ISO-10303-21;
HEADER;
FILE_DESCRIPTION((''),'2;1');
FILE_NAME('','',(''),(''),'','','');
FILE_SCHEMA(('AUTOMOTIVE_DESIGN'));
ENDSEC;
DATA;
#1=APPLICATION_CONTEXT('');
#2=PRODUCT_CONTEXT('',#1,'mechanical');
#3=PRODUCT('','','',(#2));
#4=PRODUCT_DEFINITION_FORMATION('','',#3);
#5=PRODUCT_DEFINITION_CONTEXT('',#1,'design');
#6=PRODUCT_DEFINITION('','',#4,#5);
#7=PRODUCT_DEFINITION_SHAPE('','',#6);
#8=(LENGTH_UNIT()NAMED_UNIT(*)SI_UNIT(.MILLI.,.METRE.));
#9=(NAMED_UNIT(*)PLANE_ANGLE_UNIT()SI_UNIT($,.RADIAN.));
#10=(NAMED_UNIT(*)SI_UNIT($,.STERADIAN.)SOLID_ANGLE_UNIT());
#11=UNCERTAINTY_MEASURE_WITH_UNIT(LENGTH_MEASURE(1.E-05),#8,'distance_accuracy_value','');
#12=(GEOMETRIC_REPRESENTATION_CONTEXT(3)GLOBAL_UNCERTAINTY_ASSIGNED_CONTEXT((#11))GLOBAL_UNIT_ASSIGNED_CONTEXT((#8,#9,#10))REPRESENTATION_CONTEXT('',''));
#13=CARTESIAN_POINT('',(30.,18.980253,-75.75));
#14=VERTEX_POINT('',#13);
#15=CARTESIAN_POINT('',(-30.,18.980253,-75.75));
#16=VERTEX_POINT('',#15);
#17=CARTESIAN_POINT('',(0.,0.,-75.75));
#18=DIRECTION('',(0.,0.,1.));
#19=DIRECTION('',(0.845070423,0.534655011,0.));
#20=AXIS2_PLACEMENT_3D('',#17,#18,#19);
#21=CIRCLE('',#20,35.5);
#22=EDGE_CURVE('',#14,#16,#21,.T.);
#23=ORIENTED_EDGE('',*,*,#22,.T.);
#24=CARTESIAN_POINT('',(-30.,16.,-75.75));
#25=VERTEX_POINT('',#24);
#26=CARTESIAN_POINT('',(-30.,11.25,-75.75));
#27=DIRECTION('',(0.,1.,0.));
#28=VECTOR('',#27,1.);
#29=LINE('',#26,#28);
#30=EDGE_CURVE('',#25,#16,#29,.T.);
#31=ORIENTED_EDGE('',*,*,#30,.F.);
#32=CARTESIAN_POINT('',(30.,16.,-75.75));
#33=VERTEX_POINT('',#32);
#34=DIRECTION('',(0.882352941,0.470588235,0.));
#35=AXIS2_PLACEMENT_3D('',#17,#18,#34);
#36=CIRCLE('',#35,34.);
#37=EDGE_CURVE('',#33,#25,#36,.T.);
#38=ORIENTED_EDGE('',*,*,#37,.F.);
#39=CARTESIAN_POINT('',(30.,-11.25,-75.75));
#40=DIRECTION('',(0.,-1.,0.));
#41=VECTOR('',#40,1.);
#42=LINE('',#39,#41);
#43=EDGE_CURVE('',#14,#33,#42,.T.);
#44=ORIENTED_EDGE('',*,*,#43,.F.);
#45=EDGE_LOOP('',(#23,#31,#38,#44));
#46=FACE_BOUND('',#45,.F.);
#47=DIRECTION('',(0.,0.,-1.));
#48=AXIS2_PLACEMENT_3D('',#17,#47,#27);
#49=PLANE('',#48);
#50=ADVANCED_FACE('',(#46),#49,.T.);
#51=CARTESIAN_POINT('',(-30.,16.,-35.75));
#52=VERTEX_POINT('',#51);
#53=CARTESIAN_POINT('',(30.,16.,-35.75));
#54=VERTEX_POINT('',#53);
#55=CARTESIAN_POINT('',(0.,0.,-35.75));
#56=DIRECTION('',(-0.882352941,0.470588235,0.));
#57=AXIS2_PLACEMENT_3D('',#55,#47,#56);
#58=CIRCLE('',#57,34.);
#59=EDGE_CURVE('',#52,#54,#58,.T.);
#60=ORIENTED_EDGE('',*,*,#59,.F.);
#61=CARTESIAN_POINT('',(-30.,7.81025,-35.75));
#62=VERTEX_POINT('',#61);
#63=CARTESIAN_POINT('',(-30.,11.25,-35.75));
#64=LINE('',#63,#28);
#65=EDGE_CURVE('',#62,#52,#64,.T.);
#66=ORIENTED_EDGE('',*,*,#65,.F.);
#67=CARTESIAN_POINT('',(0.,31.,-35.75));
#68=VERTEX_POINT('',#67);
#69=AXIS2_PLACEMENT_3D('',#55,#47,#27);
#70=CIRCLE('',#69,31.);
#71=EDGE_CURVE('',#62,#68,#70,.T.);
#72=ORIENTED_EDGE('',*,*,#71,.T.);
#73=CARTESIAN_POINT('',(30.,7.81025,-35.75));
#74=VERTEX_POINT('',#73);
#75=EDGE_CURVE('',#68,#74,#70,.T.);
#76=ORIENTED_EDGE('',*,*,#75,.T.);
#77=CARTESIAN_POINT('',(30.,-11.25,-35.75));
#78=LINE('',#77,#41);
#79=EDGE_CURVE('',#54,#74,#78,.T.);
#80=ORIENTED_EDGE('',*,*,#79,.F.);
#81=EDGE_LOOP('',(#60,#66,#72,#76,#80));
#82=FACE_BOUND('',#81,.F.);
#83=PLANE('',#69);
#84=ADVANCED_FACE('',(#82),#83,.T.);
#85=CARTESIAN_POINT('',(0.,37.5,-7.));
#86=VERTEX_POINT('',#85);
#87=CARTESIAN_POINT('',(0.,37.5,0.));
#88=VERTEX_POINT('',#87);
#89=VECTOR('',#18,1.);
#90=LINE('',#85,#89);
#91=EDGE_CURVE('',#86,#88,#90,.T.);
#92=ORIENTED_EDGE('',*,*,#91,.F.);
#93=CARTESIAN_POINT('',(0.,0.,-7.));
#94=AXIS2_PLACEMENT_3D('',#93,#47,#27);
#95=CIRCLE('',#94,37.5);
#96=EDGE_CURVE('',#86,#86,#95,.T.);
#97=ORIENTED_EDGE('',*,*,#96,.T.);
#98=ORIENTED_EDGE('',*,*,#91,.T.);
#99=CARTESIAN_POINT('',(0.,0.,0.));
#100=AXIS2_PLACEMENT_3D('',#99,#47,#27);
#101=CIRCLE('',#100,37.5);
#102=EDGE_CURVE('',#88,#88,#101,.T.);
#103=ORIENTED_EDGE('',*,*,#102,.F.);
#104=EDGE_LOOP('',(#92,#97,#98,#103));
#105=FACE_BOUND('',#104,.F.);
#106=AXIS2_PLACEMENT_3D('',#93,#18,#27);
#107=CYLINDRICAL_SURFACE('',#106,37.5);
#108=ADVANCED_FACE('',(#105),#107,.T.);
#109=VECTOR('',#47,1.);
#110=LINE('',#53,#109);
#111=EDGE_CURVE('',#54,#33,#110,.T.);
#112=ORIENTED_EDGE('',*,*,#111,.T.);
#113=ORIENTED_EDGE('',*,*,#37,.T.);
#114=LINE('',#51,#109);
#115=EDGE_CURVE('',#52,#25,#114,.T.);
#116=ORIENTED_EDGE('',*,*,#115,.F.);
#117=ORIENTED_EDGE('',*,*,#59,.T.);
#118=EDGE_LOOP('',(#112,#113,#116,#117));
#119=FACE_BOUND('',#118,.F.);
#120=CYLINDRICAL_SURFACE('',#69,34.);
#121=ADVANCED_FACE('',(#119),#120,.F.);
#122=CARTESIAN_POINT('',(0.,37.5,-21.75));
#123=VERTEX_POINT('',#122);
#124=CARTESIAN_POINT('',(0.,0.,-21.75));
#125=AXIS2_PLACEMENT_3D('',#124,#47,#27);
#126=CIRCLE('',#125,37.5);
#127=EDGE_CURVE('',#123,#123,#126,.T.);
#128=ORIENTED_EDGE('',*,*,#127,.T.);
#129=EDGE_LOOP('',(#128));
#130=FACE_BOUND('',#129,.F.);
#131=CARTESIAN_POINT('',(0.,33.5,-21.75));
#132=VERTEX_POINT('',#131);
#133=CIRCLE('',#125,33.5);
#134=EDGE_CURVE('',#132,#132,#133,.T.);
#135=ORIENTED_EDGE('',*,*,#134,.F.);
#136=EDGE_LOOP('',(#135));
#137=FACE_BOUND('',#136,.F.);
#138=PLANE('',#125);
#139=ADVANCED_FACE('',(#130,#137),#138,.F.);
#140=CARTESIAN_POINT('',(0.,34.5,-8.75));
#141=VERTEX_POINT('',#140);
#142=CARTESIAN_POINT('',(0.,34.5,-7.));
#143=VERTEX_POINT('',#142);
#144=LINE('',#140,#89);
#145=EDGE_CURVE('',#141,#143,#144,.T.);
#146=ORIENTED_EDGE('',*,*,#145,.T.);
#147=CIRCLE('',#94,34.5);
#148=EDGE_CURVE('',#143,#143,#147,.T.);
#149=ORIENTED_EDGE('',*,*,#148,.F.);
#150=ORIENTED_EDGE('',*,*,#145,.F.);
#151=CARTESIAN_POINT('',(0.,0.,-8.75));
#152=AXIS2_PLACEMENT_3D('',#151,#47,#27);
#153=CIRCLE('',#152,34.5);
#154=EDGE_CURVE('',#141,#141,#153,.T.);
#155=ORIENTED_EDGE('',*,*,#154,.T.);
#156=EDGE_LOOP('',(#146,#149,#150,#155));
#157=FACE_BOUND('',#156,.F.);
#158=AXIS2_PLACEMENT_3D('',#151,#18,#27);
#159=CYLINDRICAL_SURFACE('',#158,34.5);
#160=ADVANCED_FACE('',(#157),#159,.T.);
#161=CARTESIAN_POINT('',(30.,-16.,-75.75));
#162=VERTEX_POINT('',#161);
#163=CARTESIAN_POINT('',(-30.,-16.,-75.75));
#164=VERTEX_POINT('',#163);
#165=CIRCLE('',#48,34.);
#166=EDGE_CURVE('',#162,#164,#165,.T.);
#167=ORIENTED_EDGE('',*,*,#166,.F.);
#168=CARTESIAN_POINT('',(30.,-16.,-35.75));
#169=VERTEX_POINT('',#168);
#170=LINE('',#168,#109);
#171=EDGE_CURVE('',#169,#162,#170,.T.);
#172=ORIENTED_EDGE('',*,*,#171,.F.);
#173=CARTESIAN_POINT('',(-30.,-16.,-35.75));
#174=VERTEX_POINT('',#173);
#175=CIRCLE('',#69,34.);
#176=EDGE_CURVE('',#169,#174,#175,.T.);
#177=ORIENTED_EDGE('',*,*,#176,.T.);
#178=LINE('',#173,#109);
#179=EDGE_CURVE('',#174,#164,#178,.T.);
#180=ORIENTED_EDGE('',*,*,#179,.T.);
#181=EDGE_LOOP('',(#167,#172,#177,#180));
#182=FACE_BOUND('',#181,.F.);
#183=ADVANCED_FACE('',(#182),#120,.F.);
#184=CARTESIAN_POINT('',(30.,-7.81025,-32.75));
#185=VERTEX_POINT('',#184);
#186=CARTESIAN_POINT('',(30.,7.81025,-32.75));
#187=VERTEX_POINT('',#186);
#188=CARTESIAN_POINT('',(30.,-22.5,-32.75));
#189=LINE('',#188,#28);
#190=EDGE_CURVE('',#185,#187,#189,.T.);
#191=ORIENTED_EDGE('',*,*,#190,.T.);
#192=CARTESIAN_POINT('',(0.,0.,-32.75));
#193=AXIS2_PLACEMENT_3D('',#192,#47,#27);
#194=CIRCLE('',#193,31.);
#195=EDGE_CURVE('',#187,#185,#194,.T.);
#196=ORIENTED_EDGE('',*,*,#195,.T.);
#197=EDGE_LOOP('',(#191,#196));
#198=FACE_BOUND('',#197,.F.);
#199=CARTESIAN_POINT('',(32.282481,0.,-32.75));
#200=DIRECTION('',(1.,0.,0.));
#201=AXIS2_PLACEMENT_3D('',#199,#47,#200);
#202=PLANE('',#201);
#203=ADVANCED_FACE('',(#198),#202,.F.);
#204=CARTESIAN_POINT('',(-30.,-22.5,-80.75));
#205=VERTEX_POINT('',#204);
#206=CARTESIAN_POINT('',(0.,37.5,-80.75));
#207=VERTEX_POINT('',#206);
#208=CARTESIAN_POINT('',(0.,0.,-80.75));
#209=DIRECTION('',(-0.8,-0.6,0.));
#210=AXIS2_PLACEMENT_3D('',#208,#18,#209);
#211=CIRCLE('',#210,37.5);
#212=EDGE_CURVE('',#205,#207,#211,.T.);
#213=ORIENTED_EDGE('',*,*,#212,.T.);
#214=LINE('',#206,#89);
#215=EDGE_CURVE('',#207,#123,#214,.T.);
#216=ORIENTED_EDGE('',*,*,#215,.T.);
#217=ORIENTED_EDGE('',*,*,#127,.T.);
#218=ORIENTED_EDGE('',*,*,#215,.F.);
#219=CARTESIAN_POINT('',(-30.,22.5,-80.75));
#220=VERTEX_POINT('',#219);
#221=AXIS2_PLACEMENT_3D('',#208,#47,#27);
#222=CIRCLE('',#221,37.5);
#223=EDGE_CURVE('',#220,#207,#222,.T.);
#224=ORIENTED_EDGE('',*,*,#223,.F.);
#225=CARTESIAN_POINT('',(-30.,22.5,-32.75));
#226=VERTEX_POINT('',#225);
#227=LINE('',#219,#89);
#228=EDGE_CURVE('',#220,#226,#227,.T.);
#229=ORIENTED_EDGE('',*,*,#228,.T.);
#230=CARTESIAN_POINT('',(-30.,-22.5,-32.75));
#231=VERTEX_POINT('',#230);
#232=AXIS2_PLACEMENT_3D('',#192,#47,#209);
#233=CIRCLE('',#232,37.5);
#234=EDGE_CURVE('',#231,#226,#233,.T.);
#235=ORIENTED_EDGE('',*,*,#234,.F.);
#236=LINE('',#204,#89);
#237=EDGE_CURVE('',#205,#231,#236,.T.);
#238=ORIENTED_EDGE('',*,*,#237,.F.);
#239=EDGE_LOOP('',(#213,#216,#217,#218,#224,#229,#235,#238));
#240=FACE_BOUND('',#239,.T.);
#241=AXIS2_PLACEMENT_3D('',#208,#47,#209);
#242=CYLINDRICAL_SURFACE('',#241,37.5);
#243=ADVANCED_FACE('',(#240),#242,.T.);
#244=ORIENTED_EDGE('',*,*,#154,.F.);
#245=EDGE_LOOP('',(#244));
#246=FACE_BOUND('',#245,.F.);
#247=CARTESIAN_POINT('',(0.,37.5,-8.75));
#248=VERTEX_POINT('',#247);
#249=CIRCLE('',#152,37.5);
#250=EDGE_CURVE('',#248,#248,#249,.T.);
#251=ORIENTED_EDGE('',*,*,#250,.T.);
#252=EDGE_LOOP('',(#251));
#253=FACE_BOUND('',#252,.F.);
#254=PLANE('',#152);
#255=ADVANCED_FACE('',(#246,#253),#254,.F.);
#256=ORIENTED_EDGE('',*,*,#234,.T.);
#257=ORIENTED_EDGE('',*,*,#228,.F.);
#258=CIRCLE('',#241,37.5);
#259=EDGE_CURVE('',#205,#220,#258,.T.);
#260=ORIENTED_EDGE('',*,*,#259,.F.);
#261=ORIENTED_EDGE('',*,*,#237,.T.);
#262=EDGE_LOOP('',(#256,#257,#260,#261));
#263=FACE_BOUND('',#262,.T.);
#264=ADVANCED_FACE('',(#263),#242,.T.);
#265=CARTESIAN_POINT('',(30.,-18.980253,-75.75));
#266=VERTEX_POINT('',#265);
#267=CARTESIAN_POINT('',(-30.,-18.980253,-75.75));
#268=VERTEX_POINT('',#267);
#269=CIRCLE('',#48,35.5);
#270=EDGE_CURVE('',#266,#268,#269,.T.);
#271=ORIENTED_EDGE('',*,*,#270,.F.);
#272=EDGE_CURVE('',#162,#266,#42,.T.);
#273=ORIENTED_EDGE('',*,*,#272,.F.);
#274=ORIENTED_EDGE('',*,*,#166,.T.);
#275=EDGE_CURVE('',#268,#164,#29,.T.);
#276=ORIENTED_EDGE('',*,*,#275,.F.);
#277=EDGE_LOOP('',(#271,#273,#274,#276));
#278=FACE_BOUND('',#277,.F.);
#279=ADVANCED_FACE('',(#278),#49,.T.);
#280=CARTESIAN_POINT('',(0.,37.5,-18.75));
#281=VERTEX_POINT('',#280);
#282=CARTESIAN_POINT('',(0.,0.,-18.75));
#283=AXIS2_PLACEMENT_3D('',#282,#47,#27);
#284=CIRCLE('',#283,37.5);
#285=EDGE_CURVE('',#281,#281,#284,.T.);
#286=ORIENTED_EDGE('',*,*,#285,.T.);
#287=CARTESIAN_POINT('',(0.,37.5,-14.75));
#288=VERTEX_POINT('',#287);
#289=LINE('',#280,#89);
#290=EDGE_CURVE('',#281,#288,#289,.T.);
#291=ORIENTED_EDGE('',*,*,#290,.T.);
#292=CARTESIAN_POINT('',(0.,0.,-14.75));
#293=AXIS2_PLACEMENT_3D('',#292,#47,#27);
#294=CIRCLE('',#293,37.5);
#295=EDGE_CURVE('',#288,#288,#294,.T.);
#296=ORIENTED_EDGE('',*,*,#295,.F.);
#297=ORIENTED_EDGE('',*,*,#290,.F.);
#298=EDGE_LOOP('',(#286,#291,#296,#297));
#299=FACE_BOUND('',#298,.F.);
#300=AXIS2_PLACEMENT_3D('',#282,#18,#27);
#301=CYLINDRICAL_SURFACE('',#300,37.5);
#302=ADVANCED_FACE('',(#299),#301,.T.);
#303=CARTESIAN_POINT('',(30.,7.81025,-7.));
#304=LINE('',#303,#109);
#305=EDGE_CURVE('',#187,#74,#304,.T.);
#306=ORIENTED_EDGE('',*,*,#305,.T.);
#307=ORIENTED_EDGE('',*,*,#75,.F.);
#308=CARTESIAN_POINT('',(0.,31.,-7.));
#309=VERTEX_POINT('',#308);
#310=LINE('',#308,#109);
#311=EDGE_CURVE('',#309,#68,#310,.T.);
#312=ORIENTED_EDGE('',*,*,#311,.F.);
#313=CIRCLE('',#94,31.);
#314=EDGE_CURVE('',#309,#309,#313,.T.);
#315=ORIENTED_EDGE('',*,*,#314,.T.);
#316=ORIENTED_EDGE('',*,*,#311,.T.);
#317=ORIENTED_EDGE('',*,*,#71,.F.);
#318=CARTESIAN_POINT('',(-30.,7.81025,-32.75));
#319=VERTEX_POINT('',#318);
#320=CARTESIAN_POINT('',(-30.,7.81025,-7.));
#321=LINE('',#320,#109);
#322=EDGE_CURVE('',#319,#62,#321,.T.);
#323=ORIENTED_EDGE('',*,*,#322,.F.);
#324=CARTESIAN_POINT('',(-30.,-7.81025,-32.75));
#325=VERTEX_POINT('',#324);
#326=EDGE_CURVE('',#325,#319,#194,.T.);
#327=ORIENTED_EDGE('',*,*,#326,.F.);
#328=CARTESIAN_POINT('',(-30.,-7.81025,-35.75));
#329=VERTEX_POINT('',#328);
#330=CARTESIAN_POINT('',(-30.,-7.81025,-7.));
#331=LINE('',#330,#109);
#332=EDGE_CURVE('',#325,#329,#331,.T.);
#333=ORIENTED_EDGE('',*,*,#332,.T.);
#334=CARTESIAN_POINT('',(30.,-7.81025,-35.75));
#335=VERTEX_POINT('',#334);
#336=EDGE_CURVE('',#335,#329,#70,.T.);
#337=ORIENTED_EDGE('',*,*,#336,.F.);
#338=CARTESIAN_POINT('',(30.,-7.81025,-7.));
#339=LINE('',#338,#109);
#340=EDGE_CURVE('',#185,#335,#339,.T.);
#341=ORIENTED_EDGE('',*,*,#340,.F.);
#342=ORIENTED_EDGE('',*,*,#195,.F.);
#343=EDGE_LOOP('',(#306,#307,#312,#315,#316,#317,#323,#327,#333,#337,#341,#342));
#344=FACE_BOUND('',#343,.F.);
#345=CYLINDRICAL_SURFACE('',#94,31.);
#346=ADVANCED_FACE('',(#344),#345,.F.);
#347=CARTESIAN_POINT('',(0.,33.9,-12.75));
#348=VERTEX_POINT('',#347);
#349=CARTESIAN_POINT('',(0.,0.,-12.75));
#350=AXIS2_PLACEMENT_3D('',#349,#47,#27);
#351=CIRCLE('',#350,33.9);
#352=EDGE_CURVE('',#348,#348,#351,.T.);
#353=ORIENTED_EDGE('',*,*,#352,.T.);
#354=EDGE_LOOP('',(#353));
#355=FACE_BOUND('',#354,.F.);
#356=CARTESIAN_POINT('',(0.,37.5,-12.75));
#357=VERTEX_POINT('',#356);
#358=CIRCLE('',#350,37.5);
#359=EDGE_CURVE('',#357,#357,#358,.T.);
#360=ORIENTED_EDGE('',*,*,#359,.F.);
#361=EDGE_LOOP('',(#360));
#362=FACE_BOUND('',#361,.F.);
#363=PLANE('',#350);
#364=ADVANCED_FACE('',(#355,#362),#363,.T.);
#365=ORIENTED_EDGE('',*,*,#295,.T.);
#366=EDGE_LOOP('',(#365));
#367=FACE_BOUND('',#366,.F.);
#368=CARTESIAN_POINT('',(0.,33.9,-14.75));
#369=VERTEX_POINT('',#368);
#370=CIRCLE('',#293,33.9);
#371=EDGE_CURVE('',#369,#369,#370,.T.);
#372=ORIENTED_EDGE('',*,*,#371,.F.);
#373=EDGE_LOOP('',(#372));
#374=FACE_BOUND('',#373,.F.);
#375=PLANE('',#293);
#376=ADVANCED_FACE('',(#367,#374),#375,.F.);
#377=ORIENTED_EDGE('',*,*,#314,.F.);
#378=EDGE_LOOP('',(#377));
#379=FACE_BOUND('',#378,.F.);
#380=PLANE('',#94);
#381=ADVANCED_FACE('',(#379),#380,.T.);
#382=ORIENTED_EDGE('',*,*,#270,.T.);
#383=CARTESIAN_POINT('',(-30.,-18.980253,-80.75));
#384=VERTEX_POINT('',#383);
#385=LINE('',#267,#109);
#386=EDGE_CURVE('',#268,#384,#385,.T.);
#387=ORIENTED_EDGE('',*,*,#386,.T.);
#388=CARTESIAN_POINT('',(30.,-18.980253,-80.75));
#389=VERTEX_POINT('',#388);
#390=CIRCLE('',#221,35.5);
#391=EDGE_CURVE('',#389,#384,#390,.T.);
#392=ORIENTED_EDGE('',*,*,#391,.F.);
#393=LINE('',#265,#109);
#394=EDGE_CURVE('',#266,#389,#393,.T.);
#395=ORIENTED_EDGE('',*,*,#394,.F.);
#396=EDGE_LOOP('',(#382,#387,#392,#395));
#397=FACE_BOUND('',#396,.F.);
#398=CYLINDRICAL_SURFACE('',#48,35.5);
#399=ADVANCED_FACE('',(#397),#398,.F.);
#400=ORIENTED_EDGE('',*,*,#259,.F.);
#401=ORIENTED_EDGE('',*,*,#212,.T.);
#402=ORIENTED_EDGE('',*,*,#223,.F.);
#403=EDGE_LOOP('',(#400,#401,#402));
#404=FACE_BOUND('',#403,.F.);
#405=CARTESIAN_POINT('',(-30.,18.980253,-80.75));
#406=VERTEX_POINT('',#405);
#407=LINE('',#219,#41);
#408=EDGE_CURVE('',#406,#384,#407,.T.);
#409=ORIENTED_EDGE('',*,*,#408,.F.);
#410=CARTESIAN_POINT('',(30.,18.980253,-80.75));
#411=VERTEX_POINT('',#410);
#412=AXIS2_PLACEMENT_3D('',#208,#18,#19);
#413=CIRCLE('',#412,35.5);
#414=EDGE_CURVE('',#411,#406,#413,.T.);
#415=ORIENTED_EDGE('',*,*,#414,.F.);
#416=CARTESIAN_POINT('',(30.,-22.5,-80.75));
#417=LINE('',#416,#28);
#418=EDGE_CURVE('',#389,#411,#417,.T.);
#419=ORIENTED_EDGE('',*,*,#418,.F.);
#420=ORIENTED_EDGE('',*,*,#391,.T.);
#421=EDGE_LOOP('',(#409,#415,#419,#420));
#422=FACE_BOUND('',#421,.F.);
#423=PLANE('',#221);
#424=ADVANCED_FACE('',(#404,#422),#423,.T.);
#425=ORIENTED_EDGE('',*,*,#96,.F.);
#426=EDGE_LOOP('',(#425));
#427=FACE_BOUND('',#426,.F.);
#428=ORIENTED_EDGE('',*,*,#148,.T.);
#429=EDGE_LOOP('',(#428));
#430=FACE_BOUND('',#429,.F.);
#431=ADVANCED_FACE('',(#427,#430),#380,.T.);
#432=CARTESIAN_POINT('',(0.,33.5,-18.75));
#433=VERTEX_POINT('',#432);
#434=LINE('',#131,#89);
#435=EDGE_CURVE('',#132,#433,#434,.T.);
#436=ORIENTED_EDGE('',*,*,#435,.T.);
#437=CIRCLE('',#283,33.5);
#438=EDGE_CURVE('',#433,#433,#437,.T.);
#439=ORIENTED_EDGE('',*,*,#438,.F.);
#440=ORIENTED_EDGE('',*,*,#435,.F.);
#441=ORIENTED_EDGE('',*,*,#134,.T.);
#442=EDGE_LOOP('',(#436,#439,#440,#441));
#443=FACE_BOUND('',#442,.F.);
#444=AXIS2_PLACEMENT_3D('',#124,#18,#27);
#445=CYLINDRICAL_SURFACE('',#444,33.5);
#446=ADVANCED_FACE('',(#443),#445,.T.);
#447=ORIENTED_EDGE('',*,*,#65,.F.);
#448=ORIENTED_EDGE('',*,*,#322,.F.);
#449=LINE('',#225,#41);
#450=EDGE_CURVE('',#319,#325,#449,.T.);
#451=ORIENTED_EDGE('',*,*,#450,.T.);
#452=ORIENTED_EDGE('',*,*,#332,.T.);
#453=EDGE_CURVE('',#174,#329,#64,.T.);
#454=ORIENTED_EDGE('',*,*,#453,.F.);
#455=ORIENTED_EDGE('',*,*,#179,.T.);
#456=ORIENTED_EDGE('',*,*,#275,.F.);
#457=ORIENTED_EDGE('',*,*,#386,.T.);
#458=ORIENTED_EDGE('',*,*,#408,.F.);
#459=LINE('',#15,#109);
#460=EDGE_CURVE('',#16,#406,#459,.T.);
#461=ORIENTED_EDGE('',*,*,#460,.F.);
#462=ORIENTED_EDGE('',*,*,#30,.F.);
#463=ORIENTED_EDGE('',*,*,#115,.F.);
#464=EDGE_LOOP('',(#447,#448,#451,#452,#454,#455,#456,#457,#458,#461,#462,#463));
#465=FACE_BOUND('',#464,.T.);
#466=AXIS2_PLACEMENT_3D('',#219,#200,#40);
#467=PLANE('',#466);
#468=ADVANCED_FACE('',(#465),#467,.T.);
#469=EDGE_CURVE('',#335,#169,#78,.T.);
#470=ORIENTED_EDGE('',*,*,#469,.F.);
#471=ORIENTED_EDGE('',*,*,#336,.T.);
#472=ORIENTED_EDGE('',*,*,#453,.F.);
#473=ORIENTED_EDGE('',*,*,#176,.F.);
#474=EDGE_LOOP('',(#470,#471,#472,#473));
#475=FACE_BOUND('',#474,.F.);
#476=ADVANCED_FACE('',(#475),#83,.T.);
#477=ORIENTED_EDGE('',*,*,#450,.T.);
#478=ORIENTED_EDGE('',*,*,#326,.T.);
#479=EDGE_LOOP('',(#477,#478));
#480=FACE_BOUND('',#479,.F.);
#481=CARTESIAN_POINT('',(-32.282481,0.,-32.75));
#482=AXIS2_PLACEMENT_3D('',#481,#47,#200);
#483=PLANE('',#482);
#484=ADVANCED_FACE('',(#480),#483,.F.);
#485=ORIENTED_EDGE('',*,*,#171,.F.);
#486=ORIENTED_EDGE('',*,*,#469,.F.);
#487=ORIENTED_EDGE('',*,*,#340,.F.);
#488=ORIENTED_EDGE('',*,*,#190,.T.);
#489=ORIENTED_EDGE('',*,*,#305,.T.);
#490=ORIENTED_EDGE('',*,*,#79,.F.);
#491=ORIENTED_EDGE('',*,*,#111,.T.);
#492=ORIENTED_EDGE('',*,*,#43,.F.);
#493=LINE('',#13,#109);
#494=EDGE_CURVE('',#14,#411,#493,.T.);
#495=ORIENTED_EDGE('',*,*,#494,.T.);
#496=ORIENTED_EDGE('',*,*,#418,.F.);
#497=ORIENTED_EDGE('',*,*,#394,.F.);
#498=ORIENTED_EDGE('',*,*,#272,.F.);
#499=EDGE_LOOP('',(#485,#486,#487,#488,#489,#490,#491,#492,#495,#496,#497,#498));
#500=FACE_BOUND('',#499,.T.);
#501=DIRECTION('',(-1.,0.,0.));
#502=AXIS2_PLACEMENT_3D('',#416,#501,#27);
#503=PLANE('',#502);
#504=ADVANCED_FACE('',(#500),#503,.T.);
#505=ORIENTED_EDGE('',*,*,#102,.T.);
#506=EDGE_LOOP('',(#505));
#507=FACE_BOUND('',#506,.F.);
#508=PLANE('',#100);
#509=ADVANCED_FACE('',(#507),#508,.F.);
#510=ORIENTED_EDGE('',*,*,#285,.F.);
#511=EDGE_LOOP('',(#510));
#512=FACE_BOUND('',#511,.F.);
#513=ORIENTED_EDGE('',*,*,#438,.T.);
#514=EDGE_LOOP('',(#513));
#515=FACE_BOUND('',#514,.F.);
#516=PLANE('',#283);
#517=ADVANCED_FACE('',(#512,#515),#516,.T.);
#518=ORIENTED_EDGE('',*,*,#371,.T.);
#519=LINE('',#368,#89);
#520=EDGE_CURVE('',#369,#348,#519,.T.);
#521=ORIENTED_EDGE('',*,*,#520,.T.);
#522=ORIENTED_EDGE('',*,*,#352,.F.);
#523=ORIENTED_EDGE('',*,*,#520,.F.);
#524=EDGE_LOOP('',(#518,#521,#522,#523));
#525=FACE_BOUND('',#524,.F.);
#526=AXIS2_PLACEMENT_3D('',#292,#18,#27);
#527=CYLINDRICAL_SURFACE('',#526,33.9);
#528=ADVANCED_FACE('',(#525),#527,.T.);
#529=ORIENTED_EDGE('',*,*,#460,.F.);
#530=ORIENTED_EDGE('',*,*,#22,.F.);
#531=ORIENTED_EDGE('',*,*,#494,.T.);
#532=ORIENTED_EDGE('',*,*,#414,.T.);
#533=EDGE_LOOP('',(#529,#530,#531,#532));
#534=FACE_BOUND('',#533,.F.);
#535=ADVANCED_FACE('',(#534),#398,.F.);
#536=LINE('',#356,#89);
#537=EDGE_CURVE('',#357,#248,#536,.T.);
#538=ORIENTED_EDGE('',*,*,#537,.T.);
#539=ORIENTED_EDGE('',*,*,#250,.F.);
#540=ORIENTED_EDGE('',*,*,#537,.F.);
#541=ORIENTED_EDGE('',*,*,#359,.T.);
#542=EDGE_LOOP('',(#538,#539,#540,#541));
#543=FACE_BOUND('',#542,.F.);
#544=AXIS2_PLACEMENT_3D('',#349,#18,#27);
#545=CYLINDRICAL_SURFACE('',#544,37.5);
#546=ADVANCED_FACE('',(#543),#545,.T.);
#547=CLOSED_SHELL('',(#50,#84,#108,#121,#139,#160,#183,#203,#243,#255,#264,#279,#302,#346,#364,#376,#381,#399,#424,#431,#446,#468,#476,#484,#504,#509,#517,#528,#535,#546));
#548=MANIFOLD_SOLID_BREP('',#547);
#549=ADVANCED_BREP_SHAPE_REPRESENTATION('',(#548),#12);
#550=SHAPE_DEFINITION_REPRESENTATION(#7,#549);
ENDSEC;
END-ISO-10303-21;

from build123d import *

# Parameters (mm, degrees)
F3_DEPTH = 48


with BuildPart() as f1:
    # F0 (on Right) → F1 (revolve)
    with BuildSketch(Plane.YZ):
        Polygon((37.5, 0), (0, 0), (0, -7), (31, -7), (31, -35.75), (34, -35.75), (34, -75.75), (35.5, -75.75), (35.5, -80.75), (37.5, -80.75), (37.5, -21.75), (33.5, -21.75), (33.5, -18.75), (37.5, -18.75), (37.5, -14.75), (33.9, -14.75), (33.9, -12.75), (37.5, -12.75), (37.5, -8.75), (34.5, -8.75), (34.5, -7), (37.5, -7), align=None)
    revolve(axis=Axis((0, 0, -21.27509), (0, 0, -1)))

    # F2 (on face) → F3 (join)
    with BuildSketch(Plane(origin=(0, 0, -80.75), x_dir=(1, 0, 0), z_dir=(0, 0, -1))):
        with BuildLine():
            Line((-30, -22.5), (-30, 22.5))
            ThreePointArc((-30, 22.5), (-37.5, 0), (-30, -22.5))
        make_face()
        with BuildLine():
            ThreePointArc((30, -22.5), (37.5, 0), (30, 22.5))
            Line((30, 22.5), (30, -22.5))
        make_face()
    extrude(amount=-F3_DEPTH)


solid = f1.part
